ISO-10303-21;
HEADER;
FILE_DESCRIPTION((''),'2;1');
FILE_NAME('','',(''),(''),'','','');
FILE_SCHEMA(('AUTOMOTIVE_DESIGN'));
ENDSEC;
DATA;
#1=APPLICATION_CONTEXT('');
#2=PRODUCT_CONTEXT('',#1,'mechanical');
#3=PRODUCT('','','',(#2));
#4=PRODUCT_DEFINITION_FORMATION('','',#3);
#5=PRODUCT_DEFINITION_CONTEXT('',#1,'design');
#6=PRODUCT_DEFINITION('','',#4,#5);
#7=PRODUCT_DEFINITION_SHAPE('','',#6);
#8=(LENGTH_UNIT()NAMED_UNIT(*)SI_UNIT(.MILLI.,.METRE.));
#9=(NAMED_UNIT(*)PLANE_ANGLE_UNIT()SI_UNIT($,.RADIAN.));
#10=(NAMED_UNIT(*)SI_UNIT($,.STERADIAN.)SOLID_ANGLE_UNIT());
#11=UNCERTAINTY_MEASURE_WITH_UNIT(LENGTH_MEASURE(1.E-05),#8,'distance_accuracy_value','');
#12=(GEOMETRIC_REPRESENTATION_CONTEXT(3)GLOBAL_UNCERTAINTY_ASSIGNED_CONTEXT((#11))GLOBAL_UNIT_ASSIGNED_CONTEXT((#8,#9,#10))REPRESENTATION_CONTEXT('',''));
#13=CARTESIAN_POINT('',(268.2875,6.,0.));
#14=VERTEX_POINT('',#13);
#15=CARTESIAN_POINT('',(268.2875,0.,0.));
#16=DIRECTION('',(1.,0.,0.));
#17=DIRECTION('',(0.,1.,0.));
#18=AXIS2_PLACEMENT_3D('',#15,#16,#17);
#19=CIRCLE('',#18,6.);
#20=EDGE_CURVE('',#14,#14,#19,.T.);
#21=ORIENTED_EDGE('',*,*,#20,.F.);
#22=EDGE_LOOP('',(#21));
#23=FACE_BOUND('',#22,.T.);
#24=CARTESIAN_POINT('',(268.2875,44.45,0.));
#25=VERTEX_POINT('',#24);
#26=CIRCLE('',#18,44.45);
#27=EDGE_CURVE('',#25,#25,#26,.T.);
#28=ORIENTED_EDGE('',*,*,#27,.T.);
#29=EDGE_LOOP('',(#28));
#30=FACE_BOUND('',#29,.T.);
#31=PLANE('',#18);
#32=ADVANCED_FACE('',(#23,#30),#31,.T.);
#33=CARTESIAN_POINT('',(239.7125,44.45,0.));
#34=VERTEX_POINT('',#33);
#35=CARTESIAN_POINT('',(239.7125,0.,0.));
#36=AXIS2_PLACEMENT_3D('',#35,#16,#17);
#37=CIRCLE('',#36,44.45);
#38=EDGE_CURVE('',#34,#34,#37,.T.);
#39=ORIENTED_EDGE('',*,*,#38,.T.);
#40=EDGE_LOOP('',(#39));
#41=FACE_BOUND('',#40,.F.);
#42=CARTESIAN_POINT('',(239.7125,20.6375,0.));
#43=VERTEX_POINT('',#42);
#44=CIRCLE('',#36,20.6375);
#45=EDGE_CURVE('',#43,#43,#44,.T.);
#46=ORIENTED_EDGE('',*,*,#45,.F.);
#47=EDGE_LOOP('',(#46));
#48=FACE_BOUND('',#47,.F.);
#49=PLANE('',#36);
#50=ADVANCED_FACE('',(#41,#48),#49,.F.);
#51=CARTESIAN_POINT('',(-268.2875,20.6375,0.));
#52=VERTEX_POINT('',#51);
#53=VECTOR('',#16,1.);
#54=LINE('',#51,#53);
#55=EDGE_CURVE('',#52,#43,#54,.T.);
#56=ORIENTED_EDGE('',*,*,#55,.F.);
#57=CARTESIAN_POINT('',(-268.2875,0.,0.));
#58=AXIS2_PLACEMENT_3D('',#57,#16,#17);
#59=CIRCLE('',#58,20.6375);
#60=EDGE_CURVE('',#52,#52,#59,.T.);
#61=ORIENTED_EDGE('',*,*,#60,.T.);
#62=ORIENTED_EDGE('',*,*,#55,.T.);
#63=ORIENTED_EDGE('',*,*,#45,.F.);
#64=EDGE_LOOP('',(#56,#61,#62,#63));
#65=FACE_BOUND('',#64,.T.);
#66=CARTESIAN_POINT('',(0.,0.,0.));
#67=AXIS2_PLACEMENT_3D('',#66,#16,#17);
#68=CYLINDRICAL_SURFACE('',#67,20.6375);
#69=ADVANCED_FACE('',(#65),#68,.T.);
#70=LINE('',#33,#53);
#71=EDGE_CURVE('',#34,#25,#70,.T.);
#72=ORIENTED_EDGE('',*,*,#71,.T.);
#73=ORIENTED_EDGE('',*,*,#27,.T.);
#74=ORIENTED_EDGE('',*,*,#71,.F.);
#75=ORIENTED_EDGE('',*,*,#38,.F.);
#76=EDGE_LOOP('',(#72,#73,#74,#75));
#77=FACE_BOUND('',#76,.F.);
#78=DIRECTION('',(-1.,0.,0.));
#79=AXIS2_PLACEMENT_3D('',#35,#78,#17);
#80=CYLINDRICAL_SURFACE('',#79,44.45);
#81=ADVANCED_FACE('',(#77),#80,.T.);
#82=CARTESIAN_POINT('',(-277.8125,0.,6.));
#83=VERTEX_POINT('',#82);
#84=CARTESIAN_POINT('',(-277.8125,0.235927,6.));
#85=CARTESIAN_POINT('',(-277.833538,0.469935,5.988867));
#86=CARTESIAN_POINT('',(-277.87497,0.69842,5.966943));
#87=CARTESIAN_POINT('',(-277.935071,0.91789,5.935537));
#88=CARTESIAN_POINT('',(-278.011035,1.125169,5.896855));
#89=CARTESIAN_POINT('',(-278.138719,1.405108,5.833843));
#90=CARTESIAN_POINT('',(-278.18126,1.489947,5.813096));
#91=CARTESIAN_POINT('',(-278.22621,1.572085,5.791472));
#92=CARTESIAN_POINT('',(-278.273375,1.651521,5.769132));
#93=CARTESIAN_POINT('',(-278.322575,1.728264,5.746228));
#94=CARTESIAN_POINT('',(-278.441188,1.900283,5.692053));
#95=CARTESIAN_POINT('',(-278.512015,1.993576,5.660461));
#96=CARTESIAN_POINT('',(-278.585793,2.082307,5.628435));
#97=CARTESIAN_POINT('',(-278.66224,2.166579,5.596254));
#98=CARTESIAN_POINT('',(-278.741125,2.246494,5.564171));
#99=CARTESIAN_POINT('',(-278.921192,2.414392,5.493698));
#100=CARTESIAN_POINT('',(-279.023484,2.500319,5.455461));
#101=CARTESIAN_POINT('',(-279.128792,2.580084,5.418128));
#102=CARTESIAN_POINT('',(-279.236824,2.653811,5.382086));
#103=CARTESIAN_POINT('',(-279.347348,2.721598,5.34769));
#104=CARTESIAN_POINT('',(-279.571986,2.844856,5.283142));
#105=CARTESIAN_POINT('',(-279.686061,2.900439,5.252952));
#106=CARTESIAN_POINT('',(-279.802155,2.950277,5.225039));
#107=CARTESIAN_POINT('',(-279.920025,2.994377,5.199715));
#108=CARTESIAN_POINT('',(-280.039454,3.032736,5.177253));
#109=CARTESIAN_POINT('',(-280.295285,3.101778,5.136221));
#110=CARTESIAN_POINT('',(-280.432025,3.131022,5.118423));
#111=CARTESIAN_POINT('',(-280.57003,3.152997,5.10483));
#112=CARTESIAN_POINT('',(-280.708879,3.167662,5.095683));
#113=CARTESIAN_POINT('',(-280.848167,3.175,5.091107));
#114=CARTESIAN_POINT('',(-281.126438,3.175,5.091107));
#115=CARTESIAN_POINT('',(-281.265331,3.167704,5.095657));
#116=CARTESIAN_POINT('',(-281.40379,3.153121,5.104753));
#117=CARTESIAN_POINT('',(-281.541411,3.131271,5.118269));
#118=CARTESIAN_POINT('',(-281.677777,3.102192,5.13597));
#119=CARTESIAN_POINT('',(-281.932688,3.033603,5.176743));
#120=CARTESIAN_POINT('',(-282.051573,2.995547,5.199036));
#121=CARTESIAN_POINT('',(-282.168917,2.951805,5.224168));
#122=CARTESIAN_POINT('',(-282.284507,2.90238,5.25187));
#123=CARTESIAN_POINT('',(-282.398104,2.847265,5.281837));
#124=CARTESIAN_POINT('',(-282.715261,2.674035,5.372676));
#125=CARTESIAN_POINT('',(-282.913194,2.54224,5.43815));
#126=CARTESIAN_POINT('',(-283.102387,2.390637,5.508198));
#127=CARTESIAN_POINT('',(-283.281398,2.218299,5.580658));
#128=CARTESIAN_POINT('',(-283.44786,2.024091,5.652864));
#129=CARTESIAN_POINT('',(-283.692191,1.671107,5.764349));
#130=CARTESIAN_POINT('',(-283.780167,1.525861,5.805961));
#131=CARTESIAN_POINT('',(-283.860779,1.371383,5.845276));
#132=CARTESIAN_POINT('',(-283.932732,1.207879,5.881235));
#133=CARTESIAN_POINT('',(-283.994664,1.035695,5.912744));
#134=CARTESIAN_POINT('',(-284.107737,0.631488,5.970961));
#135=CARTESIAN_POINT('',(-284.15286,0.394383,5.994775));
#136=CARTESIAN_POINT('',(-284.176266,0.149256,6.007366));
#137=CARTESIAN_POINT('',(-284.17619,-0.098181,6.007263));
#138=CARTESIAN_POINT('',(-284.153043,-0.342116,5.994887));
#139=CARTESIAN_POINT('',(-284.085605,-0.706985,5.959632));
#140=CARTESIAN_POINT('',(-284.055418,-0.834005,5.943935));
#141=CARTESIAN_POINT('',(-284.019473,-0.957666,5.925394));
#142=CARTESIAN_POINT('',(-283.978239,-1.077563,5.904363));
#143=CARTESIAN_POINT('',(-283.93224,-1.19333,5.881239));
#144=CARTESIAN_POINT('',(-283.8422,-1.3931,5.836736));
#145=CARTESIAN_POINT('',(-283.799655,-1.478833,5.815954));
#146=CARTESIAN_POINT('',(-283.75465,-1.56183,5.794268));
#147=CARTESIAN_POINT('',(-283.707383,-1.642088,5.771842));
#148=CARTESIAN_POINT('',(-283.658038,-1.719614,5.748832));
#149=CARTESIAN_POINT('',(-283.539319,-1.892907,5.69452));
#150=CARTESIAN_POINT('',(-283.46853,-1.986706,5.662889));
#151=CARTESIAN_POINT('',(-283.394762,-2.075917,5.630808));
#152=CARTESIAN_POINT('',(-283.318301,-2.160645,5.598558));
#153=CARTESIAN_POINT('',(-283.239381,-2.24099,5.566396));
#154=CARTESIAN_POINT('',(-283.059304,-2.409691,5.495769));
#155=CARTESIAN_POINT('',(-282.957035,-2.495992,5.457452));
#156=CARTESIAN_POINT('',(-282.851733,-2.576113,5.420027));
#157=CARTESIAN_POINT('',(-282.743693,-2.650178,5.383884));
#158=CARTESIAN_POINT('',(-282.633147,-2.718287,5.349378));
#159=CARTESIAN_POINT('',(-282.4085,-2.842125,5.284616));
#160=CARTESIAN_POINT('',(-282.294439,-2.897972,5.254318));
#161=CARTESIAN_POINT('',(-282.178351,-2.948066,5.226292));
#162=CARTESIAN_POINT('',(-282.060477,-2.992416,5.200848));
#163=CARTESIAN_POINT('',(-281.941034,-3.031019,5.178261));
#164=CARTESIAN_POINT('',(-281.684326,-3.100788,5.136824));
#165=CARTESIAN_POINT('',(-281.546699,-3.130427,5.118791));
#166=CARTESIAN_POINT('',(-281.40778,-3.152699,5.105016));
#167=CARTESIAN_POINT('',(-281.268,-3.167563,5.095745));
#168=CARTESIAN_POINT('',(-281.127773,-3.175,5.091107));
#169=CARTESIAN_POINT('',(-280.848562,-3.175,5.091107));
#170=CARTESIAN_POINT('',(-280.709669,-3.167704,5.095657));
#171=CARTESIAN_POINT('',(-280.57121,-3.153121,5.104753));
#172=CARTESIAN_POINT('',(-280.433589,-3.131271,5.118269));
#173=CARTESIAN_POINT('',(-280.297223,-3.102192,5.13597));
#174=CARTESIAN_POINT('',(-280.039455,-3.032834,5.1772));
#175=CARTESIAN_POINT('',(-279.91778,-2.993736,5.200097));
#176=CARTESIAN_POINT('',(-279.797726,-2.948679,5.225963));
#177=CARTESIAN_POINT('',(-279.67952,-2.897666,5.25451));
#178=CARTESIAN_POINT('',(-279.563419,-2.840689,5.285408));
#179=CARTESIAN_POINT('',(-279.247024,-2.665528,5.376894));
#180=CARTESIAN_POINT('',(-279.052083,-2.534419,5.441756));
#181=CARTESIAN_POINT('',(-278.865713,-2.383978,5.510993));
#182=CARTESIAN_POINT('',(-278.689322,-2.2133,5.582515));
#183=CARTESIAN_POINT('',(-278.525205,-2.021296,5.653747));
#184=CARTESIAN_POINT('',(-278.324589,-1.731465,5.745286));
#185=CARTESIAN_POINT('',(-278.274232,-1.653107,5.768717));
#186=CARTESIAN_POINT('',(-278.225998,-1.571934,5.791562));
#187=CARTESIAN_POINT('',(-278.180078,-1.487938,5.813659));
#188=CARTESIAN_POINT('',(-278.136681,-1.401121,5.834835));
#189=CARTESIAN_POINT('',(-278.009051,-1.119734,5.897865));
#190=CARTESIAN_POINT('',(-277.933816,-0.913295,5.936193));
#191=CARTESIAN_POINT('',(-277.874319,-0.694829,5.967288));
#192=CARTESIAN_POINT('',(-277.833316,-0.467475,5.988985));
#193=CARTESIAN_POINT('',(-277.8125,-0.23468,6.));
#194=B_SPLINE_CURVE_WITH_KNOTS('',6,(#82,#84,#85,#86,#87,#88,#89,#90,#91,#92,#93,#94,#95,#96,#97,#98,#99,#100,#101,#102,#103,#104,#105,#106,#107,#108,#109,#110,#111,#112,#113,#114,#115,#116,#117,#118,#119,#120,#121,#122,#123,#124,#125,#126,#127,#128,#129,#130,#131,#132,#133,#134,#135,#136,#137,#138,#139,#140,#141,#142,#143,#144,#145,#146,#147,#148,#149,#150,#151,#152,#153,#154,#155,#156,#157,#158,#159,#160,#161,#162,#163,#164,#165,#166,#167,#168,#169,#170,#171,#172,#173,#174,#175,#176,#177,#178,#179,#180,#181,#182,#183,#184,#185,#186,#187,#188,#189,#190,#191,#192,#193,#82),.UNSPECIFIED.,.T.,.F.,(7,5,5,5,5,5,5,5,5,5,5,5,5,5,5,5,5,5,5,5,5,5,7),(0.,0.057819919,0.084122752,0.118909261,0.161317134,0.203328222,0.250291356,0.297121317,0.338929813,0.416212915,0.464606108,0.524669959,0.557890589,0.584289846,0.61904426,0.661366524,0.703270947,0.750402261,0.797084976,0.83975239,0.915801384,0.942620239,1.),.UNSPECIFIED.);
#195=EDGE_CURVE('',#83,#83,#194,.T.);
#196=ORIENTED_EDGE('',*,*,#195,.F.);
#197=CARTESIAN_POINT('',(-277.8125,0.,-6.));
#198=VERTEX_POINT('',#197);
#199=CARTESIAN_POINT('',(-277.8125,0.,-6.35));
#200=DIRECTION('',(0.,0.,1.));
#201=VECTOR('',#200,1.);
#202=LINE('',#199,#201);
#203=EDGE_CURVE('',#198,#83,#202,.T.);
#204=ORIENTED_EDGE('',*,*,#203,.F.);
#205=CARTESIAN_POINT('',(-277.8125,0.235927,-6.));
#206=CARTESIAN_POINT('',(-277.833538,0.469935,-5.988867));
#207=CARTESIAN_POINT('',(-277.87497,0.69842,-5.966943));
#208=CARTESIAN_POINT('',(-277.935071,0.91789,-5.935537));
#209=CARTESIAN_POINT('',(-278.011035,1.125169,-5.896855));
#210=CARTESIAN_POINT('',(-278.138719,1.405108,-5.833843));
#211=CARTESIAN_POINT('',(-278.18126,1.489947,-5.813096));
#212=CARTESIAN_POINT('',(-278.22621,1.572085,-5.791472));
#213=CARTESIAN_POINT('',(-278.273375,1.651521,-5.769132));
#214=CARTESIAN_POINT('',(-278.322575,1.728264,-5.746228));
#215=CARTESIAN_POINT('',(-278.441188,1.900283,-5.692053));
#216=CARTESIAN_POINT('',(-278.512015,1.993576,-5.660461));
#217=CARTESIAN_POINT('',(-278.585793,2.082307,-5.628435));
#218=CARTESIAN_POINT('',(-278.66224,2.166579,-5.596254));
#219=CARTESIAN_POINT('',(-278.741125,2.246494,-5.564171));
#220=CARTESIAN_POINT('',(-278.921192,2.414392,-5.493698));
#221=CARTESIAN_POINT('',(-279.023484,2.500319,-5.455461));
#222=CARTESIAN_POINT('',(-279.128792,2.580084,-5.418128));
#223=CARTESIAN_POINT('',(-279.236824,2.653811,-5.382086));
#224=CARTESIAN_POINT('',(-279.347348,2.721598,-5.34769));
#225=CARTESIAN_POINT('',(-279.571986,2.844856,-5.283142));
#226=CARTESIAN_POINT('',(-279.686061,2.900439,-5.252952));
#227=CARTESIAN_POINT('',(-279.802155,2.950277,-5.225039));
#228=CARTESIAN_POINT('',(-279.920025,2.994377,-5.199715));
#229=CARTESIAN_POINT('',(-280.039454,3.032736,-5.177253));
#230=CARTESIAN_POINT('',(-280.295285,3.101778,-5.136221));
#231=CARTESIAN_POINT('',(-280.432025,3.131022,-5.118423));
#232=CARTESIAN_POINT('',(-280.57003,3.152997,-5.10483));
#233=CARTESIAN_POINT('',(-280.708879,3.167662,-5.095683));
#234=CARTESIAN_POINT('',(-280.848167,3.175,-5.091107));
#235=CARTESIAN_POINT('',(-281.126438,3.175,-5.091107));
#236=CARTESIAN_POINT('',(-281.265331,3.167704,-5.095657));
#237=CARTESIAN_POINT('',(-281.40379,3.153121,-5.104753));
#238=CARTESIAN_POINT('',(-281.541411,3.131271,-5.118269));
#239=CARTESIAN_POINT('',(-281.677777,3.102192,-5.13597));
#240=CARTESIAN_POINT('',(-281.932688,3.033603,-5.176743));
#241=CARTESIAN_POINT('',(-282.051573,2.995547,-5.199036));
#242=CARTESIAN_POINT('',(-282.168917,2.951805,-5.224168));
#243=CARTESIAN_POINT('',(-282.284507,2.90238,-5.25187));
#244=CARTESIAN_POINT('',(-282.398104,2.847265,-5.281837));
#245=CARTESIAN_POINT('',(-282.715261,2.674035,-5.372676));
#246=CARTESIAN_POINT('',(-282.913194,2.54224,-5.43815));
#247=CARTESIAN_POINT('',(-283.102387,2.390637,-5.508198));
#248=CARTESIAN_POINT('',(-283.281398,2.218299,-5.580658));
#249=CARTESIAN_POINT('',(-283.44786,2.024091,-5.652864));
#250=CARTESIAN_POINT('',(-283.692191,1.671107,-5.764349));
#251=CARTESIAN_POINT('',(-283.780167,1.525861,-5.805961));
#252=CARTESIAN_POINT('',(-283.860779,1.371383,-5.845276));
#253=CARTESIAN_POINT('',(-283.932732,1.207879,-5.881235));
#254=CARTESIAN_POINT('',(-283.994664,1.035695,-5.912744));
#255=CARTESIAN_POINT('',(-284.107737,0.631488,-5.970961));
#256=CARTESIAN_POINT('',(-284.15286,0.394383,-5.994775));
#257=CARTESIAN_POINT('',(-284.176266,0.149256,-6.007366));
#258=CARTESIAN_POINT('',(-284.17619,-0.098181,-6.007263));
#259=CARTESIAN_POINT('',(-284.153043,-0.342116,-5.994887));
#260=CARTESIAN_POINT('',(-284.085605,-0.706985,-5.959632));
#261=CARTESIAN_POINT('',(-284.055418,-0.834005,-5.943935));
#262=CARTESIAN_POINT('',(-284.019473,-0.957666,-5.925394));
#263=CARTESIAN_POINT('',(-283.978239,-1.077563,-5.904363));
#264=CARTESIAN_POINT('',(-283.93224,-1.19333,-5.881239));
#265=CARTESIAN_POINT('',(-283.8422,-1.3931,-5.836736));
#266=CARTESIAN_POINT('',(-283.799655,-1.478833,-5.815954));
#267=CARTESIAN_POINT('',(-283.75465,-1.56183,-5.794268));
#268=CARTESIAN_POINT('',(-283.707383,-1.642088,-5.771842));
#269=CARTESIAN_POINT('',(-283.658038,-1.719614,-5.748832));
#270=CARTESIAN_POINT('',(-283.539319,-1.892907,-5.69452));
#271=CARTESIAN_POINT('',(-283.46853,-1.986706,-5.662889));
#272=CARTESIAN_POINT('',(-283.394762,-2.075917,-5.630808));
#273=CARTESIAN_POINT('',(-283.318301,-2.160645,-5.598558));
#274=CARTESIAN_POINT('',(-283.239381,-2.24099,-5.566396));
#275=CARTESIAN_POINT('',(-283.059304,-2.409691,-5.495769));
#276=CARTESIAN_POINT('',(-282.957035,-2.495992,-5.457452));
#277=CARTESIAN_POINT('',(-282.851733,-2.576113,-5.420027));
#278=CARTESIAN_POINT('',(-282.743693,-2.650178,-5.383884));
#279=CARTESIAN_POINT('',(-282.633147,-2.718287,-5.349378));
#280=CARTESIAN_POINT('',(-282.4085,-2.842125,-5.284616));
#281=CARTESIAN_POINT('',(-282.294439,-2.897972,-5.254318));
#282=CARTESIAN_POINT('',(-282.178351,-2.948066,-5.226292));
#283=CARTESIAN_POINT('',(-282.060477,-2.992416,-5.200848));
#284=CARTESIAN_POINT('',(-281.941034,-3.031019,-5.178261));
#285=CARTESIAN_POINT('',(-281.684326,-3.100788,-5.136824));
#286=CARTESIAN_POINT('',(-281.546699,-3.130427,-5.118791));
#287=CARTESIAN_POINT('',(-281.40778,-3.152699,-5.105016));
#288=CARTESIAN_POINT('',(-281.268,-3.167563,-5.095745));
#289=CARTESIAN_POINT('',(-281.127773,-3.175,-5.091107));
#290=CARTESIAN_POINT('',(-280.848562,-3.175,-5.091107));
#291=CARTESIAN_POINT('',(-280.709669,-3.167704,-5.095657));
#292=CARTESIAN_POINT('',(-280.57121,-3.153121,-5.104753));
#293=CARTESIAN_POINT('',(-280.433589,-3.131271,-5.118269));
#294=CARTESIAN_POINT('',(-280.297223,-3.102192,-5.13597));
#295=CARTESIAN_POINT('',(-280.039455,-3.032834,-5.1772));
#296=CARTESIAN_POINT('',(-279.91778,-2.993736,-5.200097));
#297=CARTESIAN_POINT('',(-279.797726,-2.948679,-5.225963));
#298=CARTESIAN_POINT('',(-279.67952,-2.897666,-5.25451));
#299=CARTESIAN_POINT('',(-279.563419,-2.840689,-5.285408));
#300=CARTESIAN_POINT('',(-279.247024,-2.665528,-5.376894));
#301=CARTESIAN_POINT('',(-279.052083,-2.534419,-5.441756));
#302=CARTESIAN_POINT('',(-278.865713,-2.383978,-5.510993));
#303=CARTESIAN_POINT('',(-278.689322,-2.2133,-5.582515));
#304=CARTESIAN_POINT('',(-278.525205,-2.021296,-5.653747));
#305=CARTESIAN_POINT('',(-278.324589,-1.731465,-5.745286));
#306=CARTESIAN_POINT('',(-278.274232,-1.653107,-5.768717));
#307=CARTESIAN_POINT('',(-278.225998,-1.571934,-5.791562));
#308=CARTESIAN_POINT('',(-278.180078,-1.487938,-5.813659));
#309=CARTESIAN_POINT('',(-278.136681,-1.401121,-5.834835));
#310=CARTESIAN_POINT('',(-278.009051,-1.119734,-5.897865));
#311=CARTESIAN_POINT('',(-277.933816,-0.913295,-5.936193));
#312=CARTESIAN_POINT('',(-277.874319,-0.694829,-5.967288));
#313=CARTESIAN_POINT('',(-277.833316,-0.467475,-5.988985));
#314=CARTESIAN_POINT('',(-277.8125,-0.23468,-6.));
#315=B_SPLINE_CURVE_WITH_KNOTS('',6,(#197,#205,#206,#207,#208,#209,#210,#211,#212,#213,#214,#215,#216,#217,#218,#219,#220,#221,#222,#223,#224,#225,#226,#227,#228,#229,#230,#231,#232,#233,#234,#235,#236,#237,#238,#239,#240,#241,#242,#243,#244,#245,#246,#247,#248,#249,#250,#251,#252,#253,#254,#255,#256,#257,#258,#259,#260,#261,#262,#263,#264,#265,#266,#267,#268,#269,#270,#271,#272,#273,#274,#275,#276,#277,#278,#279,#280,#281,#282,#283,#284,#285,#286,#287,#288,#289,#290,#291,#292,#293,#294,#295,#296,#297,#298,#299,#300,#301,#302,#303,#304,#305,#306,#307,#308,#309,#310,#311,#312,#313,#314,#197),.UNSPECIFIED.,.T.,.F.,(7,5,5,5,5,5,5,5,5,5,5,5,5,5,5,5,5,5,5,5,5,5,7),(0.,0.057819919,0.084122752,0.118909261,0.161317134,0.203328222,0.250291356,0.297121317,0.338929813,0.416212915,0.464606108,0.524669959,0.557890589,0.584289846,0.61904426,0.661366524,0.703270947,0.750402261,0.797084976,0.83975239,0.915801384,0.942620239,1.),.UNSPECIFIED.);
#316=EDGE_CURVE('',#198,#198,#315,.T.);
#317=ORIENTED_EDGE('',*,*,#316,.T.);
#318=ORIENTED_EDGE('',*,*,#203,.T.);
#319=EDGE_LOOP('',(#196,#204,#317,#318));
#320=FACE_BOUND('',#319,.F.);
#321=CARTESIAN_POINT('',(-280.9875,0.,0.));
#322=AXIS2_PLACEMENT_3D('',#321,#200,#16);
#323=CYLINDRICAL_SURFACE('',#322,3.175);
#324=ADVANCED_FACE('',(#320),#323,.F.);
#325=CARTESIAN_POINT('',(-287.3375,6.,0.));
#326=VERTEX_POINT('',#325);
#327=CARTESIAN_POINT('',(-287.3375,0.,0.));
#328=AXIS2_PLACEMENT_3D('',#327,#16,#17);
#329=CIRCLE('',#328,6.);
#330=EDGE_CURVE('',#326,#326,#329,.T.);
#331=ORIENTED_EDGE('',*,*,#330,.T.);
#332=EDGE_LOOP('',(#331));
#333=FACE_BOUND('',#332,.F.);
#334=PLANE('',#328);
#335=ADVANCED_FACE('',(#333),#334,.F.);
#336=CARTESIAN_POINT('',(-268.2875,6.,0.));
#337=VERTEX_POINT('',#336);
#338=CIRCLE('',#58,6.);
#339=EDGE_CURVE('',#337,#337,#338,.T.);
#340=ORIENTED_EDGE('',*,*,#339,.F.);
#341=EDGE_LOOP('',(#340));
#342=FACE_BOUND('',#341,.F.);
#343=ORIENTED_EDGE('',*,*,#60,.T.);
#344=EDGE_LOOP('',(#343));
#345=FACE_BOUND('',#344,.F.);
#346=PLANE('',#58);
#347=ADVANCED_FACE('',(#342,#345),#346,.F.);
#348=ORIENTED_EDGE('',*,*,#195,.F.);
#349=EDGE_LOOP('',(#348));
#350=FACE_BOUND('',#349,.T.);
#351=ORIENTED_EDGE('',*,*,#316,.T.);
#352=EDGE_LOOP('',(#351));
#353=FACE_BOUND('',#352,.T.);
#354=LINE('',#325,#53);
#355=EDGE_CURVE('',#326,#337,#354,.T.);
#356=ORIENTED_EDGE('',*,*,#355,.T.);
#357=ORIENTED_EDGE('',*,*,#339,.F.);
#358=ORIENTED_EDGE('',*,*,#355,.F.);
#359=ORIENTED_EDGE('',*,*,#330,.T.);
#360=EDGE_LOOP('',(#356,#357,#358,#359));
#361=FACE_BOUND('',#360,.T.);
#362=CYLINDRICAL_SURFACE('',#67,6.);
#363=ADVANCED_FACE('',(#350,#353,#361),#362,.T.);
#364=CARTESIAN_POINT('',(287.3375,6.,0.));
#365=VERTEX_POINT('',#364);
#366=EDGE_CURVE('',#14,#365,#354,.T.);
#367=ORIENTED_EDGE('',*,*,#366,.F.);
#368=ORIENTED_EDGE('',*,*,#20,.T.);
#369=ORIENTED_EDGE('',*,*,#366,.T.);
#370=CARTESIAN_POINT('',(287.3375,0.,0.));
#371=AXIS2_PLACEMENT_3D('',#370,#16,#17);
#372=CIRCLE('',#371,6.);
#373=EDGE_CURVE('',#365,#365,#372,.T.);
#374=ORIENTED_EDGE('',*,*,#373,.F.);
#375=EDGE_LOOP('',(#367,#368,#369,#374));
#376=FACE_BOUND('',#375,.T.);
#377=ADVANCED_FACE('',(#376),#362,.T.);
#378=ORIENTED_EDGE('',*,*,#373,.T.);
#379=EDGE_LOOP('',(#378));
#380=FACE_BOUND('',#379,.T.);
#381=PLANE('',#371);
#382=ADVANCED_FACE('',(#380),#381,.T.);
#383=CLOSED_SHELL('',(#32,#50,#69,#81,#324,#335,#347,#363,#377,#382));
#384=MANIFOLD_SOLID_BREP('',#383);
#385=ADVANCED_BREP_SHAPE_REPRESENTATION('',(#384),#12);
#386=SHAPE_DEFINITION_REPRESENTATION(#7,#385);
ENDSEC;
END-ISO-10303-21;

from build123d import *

# Parameters (mm, degrees)
F0_R     = 20.6375
F0_R_2   = 6
F1_DEPTH = 268.2875
F2_DEPTH = 287.3375
F3_R     = 3.175
F4_DEPTH = 6.35
F5_START = 239.7125
F0_R_3   = 44.45
F5_DEPTH = 28.575


with BuildPart() as f1:
    # F0 (on Right) → F1 (new body, symmetric)
    with BuildSketch(Plane.YZ):
        Circle(F0_R)
        Circle(F0_R_2, mode=Mode.SUBTRACT)
    extrude(amount=F1_DEPTH, both=True)

    # F0 (on Right) → F2 (join, symmetric)
    with BuildSketch(Plane.YZ):
        Circle(F0_R_2)
    extrude(amount=F2_DEPTH, both=True)

    # F3 (on Top) → F4 (cut, symmetric)
    with BuildSketch(Plane.XY):
        with Locations((-280.9875, 0)):
            Circle(F3_R)
    extrude(amount=F4_DEPTH, both=True, mode=Mode.SUBTRACT)

    # F0 (on Right) → F5 (join)
    with BuildSketch(Plane.YZ.offset(F5_START)):
        Circle(F0_R_3)
        Circle(F0_R, mode=Mode.SUBTRACT)
    extrude(amount=F5_DEPTH)


solid = f1.part
